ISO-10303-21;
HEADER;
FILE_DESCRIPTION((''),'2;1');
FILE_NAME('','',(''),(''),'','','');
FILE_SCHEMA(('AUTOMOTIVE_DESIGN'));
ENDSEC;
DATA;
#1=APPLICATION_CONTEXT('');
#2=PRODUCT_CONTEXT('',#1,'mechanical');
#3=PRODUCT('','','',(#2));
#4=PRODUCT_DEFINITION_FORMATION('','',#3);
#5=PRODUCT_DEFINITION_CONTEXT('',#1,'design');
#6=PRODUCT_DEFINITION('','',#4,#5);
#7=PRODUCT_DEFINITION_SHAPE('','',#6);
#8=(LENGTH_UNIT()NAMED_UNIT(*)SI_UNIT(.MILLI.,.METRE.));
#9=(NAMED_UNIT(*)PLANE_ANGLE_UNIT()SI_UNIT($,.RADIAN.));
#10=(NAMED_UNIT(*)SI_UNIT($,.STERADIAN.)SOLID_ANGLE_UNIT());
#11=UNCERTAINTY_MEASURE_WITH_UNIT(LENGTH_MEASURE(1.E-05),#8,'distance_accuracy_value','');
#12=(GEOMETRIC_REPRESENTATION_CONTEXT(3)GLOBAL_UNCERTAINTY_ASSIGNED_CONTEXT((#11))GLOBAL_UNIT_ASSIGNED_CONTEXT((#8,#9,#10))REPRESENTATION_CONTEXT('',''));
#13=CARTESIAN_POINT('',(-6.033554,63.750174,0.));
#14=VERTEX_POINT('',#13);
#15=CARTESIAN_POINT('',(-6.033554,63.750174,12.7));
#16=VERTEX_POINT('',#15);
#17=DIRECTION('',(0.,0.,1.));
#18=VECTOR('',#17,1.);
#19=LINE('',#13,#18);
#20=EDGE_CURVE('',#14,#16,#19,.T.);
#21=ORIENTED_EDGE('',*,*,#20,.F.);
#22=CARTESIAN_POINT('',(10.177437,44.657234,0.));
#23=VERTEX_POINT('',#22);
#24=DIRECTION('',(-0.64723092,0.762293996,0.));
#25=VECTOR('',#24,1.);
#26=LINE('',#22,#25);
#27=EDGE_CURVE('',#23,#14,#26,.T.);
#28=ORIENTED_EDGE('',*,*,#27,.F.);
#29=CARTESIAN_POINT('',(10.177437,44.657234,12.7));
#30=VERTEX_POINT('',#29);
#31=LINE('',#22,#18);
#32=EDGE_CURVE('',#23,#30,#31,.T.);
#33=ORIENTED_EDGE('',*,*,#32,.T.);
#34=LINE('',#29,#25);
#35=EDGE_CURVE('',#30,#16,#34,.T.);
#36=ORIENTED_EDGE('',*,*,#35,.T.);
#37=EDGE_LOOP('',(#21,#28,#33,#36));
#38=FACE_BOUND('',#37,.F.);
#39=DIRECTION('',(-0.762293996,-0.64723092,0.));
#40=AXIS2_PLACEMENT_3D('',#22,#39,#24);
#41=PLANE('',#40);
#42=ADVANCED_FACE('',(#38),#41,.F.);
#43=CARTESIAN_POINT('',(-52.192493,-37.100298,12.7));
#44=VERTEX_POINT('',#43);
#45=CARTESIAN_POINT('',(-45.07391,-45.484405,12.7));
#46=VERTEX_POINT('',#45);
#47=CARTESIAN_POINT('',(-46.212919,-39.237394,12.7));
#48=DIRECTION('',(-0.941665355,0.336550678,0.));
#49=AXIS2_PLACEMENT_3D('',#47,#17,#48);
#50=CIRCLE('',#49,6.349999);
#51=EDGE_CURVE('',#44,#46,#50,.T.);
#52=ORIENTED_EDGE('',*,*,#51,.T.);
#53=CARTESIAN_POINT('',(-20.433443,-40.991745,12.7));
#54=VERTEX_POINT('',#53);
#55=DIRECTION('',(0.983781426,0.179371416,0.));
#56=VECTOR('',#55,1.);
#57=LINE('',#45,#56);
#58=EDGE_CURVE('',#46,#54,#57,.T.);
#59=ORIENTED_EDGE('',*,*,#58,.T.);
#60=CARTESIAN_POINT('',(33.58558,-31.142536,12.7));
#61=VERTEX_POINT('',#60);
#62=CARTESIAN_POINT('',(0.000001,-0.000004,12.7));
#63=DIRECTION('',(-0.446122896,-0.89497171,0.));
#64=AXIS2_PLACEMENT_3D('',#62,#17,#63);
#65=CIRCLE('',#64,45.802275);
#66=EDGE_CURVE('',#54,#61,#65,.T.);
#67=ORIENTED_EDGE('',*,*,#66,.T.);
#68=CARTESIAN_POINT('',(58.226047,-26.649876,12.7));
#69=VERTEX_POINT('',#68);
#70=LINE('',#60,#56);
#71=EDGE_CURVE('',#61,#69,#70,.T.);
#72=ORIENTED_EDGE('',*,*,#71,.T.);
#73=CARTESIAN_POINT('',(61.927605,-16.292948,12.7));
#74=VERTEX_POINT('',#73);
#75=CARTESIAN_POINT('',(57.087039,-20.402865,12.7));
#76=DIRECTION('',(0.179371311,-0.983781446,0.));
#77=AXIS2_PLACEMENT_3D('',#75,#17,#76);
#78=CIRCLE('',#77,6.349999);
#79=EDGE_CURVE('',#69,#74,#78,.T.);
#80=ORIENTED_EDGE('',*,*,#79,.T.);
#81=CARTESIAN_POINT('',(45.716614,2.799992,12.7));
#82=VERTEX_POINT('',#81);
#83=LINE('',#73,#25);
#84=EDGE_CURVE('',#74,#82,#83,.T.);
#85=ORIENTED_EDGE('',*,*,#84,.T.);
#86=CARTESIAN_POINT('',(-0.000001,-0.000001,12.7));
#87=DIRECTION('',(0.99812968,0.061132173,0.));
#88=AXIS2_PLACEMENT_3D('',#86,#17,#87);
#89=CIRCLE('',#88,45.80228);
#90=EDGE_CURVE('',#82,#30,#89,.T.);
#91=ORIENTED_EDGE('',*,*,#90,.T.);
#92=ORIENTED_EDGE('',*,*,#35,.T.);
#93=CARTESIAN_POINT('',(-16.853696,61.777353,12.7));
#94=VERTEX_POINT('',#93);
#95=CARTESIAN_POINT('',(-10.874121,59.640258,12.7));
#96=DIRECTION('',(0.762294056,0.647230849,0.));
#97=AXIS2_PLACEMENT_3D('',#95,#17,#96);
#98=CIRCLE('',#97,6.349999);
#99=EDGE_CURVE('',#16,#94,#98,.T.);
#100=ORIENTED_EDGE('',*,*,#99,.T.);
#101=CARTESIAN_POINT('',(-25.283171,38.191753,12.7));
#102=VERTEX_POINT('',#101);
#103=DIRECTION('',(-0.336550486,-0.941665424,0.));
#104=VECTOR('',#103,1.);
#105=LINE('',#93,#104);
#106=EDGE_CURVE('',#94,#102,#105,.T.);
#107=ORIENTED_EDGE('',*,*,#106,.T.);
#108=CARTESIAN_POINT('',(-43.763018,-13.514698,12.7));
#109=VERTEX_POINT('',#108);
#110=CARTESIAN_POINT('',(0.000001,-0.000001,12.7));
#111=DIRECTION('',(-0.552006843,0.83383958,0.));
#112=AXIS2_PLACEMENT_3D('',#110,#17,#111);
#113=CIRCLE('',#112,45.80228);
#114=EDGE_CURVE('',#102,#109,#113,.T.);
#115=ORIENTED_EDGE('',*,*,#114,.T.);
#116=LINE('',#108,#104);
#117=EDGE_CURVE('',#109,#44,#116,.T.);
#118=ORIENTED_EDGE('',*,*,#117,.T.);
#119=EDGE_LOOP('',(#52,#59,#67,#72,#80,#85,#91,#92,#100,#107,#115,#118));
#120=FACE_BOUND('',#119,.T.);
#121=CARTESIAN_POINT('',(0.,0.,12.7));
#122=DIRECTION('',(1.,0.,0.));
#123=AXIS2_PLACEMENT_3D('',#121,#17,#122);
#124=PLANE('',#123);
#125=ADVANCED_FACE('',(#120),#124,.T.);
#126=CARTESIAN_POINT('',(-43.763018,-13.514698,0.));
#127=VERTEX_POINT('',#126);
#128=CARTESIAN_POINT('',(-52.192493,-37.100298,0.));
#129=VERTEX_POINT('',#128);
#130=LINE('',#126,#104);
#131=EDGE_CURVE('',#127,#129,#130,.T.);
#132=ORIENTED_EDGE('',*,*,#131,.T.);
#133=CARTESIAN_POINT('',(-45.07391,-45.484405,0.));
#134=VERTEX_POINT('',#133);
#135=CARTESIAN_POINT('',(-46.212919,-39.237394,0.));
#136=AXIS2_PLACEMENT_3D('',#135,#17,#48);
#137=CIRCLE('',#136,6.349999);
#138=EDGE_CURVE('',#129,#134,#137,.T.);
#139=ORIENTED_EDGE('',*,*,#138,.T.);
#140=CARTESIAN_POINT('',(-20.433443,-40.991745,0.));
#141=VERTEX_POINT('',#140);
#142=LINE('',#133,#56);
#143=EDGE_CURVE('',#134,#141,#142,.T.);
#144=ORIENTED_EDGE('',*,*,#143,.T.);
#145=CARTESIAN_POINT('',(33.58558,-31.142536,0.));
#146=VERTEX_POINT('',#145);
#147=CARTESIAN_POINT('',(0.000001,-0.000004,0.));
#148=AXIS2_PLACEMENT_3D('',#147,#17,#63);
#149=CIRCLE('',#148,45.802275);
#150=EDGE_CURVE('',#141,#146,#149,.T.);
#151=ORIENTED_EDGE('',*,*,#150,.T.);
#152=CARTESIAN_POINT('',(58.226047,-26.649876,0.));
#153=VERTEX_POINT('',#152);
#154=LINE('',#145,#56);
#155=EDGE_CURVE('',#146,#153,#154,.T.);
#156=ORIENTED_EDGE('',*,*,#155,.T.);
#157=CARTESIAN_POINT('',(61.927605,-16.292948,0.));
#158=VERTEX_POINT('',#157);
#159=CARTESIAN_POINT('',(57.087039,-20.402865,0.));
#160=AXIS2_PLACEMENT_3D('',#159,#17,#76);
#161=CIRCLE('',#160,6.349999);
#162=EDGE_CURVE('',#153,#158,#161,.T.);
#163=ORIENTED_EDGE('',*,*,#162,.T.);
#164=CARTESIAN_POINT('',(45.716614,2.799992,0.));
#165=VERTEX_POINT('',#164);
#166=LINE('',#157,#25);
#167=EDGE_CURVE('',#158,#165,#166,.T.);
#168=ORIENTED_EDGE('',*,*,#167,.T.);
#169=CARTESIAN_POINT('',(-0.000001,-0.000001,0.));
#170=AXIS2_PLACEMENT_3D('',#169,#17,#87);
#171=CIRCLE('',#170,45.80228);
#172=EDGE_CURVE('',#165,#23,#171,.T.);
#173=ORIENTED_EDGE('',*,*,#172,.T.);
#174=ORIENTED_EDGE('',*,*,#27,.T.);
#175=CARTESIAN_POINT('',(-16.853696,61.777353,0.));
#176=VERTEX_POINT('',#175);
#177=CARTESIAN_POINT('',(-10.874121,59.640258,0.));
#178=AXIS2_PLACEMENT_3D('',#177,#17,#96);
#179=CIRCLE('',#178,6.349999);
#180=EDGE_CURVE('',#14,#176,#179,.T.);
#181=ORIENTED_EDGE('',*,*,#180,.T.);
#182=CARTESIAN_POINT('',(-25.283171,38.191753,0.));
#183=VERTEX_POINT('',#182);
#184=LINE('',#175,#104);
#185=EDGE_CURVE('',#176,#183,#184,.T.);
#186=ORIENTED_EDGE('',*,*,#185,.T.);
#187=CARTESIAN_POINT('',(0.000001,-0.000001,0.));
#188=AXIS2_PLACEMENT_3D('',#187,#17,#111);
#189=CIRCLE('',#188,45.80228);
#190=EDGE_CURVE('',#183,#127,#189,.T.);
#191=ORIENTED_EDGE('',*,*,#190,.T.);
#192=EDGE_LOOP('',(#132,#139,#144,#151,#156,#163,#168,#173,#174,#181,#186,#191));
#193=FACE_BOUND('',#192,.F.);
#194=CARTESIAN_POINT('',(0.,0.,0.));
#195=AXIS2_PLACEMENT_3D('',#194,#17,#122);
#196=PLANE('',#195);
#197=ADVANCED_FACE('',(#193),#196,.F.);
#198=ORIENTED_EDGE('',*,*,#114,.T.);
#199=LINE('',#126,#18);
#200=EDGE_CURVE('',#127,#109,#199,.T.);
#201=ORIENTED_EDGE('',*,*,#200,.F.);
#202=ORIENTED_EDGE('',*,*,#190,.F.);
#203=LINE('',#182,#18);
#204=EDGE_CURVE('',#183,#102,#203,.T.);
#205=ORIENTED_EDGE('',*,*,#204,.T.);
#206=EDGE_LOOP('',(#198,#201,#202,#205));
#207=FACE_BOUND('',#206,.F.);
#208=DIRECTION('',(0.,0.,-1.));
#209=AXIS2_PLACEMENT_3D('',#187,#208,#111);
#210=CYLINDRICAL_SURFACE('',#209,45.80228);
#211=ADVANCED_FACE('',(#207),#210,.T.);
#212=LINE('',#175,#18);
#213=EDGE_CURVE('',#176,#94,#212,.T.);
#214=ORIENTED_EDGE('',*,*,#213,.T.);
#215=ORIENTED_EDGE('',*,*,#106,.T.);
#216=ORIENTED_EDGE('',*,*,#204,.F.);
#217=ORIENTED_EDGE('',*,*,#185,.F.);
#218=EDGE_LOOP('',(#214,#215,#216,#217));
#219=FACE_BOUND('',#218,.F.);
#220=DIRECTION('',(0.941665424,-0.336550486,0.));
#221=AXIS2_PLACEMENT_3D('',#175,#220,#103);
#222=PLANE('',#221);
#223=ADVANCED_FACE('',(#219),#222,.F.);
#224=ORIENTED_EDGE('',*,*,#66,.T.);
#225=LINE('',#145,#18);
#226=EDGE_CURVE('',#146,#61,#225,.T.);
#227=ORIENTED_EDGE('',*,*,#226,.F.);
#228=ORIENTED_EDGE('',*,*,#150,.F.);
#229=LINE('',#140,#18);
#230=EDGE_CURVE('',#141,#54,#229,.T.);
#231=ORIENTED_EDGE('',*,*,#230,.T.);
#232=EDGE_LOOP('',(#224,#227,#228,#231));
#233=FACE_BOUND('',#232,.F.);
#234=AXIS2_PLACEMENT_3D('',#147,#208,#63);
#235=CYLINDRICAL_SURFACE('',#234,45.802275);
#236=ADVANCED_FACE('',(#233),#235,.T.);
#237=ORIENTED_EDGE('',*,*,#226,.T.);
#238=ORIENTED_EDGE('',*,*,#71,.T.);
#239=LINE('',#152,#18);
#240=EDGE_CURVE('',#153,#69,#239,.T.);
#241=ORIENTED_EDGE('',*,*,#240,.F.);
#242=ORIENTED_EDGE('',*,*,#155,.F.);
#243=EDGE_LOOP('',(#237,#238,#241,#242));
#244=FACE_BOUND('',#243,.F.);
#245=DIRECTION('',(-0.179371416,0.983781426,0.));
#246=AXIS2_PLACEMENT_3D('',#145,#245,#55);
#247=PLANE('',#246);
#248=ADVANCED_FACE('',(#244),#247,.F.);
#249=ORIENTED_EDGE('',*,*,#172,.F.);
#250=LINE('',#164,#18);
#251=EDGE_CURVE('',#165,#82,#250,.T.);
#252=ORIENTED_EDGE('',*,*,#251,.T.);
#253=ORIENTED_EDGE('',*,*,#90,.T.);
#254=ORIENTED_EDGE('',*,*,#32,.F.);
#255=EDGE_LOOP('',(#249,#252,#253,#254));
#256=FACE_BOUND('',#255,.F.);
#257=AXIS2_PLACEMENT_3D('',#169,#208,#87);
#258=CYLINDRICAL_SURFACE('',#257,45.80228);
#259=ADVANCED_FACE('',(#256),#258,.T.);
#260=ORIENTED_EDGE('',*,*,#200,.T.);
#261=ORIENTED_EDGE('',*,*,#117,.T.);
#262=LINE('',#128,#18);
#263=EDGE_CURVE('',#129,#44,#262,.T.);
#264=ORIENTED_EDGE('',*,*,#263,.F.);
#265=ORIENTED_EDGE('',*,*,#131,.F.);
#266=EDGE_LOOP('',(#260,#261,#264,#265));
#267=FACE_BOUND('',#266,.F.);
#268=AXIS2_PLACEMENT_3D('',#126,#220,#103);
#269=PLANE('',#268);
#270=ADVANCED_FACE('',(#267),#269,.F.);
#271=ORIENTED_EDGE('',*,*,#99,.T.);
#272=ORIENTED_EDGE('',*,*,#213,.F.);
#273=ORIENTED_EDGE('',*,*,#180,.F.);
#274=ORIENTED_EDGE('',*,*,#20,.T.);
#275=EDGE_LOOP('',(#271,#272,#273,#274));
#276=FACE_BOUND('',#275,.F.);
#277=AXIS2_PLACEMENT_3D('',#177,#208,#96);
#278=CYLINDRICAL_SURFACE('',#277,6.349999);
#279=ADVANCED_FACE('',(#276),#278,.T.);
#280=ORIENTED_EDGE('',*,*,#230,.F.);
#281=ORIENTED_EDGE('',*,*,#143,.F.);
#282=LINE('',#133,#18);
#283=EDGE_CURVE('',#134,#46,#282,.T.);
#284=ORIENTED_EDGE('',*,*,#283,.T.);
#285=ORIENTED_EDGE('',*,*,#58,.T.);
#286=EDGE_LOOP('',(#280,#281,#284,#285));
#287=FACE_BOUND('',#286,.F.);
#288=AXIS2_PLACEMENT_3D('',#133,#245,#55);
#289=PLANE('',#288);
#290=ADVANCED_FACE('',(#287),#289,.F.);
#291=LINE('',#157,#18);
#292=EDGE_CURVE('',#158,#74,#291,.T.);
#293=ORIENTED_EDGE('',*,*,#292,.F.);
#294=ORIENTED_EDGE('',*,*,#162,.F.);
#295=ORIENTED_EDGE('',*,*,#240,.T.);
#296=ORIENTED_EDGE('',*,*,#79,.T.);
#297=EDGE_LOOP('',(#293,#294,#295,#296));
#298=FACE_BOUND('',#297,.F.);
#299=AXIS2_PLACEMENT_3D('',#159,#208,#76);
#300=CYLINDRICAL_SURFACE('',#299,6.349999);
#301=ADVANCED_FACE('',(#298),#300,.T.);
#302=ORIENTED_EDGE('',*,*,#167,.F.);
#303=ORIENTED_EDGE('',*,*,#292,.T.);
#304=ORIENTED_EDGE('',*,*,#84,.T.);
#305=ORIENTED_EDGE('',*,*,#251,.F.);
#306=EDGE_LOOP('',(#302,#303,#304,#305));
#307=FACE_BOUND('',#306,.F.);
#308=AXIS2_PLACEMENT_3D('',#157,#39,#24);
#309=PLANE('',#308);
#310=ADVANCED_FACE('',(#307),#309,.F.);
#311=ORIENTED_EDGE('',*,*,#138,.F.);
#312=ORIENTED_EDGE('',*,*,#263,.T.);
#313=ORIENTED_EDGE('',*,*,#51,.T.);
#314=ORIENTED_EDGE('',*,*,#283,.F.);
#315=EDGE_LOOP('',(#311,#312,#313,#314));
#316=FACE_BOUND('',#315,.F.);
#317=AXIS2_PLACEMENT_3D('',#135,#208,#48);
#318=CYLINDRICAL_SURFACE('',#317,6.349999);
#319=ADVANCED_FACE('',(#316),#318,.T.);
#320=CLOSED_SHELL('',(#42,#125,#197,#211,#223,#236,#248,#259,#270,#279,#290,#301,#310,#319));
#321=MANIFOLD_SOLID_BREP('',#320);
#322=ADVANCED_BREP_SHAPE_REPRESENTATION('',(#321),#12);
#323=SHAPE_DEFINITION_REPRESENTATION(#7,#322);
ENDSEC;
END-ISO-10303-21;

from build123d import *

# Parameters (mm, degrees)
F1_DEPTH = 12.7


with BuildPart() as f1:
    # F0 (on Top) → F1 (new body)
    with BuildSketch(Plane.XY):
        with BuildLine():
            Line((10.177437, 44.657234), (-6.033554, 63.750174))
            ThreePointArc((-6.033554, 63.750174), (-12.013129, 65.88727), (-16.853696, 61.777353))
            Line((-16.853696, 61.777353), (-25.283171, 38.191753))
            ThreePointArc((-25.283171, 38.191753), (-43.130422, 15.41478), (-43.763018, -13.514698))
            Line((-43.763018, -13.514698), (-52.192493, -37.100298))
            ThreePointArc((-52.192493, -37.100298), (-51.053485, -43.34731), (-45.07391, -45.484405))
            Line((-45.07391, -45.484405), (-20.433443, -40.991745))
            ThreePointArc((-20.433443, -40.991745), (8.21562, -45.059432), (33.58558, -31.142536))
            Line((33.58558, -31.142536), (58.226047, -26.649876))
            ThreePointArc((58.226047, -26.649876), (63.066614, -22.53996), (61.927605, -16.292948))
            Line((61.927605, -16.292948), (45.716614, 2.799992))
            ThreePointArc((45.716614, 2.799992), (34.914802, 29.644651), (10.177437, 44.657234))
        make_face()
    extrude(amount=F1_DEPTH)


solid = f1.part
